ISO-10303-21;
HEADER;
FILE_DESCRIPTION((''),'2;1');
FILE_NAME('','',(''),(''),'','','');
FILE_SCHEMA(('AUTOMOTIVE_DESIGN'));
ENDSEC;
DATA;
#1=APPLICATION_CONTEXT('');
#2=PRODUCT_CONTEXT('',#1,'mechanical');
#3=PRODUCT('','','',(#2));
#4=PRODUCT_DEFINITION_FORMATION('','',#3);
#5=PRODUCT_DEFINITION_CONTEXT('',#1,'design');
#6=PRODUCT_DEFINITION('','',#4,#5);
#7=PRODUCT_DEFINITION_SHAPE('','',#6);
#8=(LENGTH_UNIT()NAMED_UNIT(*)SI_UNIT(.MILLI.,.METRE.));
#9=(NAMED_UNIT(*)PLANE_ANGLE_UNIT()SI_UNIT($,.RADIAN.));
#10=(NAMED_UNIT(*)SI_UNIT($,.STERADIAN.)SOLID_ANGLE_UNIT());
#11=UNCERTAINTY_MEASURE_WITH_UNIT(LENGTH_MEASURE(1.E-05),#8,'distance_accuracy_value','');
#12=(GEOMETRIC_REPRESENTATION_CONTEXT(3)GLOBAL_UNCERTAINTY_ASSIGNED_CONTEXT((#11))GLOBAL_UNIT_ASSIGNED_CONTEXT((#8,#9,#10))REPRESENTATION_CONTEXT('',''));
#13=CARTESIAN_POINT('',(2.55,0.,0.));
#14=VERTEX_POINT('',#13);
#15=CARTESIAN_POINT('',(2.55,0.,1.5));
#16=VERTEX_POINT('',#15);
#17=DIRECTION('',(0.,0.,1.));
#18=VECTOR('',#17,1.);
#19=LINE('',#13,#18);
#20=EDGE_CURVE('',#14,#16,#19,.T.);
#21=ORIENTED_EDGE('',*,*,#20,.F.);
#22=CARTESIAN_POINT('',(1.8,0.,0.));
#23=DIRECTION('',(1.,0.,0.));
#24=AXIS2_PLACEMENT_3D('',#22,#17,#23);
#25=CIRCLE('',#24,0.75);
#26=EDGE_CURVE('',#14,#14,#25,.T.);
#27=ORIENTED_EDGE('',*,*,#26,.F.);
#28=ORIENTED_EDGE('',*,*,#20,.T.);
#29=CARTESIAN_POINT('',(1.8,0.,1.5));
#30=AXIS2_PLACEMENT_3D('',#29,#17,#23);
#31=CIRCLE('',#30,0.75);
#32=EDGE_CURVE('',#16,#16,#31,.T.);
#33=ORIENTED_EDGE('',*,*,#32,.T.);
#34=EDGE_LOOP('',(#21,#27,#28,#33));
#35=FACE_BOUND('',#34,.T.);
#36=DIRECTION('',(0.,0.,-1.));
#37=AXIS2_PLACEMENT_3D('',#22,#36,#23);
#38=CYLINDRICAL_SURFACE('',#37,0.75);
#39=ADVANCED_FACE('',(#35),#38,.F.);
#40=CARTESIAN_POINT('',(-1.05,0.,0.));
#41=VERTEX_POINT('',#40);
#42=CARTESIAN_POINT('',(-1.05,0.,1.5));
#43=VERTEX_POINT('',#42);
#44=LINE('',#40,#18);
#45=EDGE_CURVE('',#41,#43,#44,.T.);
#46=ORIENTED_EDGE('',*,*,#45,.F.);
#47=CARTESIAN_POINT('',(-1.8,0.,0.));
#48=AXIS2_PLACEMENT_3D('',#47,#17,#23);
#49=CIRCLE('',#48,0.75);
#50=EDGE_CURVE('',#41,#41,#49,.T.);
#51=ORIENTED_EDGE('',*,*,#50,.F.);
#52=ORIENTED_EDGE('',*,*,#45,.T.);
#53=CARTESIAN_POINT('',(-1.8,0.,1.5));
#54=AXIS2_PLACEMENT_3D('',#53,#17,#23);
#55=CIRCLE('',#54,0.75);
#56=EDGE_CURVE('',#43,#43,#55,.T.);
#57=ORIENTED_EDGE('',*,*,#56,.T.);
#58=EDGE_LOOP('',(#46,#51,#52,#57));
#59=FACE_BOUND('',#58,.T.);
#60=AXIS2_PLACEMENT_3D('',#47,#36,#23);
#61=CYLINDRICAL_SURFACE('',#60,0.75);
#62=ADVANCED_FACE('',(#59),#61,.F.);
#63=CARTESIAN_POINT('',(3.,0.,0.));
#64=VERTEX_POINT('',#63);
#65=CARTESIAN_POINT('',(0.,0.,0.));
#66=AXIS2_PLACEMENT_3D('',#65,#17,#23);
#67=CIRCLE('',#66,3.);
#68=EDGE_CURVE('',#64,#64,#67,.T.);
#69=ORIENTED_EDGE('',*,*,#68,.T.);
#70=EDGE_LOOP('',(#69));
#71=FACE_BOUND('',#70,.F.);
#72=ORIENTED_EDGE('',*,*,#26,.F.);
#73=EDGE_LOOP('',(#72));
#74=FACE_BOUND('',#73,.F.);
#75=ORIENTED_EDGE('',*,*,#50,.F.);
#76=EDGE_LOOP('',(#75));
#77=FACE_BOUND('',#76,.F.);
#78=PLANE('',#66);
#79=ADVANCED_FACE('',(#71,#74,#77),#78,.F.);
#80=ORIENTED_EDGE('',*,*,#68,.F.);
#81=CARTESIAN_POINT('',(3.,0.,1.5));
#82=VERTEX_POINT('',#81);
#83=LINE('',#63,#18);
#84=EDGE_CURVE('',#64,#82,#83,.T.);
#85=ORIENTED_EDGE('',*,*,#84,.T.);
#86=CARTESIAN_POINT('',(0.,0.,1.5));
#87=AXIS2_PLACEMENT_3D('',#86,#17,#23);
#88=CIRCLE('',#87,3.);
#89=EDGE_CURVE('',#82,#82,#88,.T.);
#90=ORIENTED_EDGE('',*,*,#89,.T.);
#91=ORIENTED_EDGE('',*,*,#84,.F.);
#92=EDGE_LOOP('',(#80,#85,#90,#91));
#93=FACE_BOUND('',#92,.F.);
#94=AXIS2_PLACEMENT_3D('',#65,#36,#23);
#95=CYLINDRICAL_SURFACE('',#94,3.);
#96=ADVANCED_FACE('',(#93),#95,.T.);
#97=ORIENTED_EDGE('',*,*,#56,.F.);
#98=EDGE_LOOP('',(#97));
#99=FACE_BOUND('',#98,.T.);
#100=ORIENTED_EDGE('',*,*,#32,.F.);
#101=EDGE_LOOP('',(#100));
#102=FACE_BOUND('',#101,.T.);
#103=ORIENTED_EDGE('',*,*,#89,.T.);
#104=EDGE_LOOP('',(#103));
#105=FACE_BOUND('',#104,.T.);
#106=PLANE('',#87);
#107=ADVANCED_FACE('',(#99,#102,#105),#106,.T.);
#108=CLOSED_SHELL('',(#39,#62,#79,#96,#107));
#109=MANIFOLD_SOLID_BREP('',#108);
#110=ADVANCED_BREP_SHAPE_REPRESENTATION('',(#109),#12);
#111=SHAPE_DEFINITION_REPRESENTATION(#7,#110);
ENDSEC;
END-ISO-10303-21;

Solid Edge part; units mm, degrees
sketch "Sketch1" plane through (0, 0, 0) normal (0, 0, 1) x (1, 0, 0)
  circle A0 centre (0, 0) radius 3
  circle A1 centre (-1.8, 0) radius 0.75
  circle A2 centre (1.8, 0) radius 0.75
  dimension "D1" = 1.8
  dimension "D2" = 1.8
extrude "Protrusion1" add sketch "Sketch1" along normal blind 1.5
